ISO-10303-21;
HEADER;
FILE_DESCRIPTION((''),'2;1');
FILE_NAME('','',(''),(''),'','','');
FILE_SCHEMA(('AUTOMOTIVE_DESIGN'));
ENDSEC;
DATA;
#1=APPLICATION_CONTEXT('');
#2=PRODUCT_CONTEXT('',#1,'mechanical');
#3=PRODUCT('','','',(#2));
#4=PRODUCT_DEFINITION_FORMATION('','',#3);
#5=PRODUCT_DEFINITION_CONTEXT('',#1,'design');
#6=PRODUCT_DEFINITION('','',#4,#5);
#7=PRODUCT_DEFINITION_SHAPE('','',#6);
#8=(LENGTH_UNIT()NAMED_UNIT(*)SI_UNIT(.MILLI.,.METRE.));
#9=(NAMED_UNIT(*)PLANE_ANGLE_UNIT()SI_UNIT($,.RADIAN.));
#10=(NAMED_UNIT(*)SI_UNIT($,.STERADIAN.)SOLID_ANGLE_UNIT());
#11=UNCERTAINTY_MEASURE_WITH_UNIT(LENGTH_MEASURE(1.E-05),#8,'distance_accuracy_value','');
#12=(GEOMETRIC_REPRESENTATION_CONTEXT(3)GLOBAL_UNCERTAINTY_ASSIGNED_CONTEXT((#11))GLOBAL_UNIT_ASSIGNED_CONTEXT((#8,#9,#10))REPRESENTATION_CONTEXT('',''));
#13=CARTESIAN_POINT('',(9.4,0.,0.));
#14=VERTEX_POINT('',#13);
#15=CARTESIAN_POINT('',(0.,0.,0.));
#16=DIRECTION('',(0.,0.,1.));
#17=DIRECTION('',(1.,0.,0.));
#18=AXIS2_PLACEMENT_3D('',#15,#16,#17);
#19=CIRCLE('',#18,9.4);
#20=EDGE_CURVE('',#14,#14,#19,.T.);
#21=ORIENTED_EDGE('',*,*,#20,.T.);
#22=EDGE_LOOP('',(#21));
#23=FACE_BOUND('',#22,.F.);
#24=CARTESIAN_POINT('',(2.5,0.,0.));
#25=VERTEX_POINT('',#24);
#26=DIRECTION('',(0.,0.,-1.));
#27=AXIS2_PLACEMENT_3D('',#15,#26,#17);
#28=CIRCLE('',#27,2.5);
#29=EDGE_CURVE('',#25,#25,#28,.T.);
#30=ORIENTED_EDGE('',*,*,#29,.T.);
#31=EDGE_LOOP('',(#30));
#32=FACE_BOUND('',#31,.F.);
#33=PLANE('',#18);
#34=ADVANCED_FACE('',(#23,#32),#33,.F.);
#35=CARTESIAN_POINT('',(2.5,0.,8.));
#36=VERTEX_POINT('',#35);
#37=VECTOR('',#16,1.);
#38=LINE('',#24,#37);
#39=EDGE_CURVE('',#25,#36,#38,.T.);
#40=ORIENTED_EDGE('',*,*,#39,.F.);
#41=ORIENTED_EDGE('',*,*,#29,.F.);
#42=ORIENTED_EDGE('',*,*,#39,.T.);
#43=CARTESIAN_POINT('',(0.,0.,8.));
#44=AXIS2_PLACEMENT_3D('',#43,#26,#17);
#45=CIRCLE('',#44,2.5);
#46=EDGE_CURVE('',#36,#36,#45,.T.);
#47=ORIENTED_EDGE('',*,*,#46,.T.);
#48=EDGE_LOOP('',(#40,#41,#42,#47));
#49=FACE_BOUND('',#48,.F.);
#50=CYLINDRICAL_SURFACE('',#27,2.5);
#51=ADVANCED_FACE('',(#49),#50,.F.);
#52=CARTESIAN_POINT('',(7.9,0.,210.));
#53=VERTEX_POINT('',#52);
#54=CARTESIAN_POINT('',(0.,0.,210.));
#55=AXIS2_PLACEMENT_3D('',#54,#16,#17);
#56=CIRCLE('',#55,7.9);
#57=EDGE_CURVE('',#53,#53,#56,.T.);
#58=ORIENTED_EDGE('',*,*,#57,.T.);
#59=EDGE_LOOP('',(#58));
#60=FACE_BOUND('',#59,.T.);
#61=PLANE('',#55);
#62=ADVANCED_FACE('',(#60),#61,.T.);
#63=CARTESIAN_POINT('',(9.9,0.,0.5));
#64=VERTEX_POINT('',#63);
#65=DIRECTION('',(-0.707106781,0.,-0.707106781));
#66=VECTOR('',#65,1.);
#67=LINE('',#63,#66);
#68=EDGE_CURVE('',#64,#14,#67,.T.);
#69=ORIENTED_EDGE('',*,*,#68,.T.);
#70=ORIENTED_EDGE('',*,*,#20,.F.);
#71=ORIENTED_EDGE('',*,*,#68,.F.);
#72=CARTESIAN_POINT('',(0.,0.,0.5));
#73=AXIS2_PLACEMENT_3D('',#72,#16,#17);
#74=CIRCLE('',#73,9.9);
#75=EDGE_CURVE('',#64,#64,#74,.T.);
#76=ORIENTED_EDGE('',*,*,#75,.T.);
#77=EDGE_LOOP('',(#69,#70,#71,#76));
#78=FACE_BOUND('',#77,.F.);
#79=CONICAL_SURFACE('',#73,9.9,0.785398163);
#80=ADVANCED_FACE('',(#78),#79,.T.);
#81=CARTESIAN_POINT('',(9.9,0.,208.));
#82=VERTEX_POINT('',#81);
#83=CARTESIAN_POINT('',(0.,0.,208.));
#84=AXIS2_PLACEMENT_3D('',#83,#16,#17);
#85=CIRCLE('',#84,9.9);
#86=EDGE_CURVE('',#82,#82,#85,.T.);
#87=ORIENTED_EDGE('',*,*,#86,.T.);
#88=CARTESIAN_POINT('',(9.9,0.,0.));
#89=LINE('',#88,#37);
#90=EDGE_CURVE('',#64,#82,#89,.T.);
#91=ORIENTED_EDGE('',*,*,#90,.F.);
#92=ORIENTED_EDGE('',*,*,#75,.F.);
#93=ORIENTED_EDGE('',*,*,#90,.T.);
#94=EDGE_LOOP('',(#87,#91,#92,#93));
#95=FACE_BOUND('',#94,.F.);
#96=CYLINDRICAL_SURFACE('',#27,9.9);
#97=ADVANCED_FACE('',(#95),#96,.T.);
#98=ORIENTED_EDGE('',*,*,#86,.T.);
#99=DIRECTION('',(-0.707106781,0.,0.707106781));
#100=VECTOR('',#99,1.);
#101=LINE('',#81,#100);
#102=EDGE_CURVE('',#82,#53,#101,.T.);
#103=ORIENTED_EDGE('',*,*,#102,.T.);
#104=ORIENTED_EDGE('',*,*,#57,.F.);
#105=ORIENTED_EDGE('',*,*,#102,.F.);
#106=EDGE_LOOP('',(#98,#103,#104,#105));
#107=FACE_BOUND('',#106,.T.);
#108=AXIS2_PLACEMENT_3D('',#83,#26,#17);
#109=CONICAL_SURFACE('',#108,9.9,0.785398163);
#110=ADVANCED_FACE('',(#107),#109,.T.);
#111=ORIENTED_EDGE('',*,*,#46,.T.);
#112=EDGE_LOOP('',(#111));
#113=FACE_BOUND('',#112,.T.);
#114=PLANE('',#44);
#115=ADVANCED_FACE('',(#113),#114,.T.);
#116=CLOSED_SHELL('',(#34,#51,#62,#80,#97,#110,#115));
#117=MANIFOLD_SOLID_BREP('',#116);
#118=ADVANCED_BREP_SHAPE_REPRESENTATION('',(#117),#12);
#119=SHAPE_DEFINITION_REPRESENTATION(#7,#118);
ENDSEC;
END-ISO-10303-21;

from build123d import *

# Parameters (mm, degrees)
F0_R     = 9.9
F1_DEPTH = 210
F2_SIZE  = 2
F3_R     = 2.5
F4_DEPTH = 8
F5_SIZE  = 0.5


with BuildPart() as f1:
    # F0 (on Top) → F1 (new body)
    with BuildSketch(Plane.XY):
        Circle(F0_R)
    extrude(amount=F1_DEPTH)

    # F2
    f2_edges = [f1.edges().sort_by_distance(p)[0] for p in [
        (-9.9, 0, 210),
    ]]
    chamfer(f2_edges, length=F2_SIZE)

    # F3 (on face) → F4 (cut)
    with BuildSketch(Plane(origin=(0, 0, 0), x_dir=(1, 0, 0), z_dir=(0, 0, -1))):
        Circle(F3_R)
    extrude(amount=-F4_DEPTH, mode=Mode.SUBTRACT)

    # F5
    f5_edges = [f1.edges().sort_by_distance(p)[0] for p in [
        (-9.9, 0, 0),
    ]]
    chamfer(f5_edges, length=F5_SIZE)


solid = f1.part
